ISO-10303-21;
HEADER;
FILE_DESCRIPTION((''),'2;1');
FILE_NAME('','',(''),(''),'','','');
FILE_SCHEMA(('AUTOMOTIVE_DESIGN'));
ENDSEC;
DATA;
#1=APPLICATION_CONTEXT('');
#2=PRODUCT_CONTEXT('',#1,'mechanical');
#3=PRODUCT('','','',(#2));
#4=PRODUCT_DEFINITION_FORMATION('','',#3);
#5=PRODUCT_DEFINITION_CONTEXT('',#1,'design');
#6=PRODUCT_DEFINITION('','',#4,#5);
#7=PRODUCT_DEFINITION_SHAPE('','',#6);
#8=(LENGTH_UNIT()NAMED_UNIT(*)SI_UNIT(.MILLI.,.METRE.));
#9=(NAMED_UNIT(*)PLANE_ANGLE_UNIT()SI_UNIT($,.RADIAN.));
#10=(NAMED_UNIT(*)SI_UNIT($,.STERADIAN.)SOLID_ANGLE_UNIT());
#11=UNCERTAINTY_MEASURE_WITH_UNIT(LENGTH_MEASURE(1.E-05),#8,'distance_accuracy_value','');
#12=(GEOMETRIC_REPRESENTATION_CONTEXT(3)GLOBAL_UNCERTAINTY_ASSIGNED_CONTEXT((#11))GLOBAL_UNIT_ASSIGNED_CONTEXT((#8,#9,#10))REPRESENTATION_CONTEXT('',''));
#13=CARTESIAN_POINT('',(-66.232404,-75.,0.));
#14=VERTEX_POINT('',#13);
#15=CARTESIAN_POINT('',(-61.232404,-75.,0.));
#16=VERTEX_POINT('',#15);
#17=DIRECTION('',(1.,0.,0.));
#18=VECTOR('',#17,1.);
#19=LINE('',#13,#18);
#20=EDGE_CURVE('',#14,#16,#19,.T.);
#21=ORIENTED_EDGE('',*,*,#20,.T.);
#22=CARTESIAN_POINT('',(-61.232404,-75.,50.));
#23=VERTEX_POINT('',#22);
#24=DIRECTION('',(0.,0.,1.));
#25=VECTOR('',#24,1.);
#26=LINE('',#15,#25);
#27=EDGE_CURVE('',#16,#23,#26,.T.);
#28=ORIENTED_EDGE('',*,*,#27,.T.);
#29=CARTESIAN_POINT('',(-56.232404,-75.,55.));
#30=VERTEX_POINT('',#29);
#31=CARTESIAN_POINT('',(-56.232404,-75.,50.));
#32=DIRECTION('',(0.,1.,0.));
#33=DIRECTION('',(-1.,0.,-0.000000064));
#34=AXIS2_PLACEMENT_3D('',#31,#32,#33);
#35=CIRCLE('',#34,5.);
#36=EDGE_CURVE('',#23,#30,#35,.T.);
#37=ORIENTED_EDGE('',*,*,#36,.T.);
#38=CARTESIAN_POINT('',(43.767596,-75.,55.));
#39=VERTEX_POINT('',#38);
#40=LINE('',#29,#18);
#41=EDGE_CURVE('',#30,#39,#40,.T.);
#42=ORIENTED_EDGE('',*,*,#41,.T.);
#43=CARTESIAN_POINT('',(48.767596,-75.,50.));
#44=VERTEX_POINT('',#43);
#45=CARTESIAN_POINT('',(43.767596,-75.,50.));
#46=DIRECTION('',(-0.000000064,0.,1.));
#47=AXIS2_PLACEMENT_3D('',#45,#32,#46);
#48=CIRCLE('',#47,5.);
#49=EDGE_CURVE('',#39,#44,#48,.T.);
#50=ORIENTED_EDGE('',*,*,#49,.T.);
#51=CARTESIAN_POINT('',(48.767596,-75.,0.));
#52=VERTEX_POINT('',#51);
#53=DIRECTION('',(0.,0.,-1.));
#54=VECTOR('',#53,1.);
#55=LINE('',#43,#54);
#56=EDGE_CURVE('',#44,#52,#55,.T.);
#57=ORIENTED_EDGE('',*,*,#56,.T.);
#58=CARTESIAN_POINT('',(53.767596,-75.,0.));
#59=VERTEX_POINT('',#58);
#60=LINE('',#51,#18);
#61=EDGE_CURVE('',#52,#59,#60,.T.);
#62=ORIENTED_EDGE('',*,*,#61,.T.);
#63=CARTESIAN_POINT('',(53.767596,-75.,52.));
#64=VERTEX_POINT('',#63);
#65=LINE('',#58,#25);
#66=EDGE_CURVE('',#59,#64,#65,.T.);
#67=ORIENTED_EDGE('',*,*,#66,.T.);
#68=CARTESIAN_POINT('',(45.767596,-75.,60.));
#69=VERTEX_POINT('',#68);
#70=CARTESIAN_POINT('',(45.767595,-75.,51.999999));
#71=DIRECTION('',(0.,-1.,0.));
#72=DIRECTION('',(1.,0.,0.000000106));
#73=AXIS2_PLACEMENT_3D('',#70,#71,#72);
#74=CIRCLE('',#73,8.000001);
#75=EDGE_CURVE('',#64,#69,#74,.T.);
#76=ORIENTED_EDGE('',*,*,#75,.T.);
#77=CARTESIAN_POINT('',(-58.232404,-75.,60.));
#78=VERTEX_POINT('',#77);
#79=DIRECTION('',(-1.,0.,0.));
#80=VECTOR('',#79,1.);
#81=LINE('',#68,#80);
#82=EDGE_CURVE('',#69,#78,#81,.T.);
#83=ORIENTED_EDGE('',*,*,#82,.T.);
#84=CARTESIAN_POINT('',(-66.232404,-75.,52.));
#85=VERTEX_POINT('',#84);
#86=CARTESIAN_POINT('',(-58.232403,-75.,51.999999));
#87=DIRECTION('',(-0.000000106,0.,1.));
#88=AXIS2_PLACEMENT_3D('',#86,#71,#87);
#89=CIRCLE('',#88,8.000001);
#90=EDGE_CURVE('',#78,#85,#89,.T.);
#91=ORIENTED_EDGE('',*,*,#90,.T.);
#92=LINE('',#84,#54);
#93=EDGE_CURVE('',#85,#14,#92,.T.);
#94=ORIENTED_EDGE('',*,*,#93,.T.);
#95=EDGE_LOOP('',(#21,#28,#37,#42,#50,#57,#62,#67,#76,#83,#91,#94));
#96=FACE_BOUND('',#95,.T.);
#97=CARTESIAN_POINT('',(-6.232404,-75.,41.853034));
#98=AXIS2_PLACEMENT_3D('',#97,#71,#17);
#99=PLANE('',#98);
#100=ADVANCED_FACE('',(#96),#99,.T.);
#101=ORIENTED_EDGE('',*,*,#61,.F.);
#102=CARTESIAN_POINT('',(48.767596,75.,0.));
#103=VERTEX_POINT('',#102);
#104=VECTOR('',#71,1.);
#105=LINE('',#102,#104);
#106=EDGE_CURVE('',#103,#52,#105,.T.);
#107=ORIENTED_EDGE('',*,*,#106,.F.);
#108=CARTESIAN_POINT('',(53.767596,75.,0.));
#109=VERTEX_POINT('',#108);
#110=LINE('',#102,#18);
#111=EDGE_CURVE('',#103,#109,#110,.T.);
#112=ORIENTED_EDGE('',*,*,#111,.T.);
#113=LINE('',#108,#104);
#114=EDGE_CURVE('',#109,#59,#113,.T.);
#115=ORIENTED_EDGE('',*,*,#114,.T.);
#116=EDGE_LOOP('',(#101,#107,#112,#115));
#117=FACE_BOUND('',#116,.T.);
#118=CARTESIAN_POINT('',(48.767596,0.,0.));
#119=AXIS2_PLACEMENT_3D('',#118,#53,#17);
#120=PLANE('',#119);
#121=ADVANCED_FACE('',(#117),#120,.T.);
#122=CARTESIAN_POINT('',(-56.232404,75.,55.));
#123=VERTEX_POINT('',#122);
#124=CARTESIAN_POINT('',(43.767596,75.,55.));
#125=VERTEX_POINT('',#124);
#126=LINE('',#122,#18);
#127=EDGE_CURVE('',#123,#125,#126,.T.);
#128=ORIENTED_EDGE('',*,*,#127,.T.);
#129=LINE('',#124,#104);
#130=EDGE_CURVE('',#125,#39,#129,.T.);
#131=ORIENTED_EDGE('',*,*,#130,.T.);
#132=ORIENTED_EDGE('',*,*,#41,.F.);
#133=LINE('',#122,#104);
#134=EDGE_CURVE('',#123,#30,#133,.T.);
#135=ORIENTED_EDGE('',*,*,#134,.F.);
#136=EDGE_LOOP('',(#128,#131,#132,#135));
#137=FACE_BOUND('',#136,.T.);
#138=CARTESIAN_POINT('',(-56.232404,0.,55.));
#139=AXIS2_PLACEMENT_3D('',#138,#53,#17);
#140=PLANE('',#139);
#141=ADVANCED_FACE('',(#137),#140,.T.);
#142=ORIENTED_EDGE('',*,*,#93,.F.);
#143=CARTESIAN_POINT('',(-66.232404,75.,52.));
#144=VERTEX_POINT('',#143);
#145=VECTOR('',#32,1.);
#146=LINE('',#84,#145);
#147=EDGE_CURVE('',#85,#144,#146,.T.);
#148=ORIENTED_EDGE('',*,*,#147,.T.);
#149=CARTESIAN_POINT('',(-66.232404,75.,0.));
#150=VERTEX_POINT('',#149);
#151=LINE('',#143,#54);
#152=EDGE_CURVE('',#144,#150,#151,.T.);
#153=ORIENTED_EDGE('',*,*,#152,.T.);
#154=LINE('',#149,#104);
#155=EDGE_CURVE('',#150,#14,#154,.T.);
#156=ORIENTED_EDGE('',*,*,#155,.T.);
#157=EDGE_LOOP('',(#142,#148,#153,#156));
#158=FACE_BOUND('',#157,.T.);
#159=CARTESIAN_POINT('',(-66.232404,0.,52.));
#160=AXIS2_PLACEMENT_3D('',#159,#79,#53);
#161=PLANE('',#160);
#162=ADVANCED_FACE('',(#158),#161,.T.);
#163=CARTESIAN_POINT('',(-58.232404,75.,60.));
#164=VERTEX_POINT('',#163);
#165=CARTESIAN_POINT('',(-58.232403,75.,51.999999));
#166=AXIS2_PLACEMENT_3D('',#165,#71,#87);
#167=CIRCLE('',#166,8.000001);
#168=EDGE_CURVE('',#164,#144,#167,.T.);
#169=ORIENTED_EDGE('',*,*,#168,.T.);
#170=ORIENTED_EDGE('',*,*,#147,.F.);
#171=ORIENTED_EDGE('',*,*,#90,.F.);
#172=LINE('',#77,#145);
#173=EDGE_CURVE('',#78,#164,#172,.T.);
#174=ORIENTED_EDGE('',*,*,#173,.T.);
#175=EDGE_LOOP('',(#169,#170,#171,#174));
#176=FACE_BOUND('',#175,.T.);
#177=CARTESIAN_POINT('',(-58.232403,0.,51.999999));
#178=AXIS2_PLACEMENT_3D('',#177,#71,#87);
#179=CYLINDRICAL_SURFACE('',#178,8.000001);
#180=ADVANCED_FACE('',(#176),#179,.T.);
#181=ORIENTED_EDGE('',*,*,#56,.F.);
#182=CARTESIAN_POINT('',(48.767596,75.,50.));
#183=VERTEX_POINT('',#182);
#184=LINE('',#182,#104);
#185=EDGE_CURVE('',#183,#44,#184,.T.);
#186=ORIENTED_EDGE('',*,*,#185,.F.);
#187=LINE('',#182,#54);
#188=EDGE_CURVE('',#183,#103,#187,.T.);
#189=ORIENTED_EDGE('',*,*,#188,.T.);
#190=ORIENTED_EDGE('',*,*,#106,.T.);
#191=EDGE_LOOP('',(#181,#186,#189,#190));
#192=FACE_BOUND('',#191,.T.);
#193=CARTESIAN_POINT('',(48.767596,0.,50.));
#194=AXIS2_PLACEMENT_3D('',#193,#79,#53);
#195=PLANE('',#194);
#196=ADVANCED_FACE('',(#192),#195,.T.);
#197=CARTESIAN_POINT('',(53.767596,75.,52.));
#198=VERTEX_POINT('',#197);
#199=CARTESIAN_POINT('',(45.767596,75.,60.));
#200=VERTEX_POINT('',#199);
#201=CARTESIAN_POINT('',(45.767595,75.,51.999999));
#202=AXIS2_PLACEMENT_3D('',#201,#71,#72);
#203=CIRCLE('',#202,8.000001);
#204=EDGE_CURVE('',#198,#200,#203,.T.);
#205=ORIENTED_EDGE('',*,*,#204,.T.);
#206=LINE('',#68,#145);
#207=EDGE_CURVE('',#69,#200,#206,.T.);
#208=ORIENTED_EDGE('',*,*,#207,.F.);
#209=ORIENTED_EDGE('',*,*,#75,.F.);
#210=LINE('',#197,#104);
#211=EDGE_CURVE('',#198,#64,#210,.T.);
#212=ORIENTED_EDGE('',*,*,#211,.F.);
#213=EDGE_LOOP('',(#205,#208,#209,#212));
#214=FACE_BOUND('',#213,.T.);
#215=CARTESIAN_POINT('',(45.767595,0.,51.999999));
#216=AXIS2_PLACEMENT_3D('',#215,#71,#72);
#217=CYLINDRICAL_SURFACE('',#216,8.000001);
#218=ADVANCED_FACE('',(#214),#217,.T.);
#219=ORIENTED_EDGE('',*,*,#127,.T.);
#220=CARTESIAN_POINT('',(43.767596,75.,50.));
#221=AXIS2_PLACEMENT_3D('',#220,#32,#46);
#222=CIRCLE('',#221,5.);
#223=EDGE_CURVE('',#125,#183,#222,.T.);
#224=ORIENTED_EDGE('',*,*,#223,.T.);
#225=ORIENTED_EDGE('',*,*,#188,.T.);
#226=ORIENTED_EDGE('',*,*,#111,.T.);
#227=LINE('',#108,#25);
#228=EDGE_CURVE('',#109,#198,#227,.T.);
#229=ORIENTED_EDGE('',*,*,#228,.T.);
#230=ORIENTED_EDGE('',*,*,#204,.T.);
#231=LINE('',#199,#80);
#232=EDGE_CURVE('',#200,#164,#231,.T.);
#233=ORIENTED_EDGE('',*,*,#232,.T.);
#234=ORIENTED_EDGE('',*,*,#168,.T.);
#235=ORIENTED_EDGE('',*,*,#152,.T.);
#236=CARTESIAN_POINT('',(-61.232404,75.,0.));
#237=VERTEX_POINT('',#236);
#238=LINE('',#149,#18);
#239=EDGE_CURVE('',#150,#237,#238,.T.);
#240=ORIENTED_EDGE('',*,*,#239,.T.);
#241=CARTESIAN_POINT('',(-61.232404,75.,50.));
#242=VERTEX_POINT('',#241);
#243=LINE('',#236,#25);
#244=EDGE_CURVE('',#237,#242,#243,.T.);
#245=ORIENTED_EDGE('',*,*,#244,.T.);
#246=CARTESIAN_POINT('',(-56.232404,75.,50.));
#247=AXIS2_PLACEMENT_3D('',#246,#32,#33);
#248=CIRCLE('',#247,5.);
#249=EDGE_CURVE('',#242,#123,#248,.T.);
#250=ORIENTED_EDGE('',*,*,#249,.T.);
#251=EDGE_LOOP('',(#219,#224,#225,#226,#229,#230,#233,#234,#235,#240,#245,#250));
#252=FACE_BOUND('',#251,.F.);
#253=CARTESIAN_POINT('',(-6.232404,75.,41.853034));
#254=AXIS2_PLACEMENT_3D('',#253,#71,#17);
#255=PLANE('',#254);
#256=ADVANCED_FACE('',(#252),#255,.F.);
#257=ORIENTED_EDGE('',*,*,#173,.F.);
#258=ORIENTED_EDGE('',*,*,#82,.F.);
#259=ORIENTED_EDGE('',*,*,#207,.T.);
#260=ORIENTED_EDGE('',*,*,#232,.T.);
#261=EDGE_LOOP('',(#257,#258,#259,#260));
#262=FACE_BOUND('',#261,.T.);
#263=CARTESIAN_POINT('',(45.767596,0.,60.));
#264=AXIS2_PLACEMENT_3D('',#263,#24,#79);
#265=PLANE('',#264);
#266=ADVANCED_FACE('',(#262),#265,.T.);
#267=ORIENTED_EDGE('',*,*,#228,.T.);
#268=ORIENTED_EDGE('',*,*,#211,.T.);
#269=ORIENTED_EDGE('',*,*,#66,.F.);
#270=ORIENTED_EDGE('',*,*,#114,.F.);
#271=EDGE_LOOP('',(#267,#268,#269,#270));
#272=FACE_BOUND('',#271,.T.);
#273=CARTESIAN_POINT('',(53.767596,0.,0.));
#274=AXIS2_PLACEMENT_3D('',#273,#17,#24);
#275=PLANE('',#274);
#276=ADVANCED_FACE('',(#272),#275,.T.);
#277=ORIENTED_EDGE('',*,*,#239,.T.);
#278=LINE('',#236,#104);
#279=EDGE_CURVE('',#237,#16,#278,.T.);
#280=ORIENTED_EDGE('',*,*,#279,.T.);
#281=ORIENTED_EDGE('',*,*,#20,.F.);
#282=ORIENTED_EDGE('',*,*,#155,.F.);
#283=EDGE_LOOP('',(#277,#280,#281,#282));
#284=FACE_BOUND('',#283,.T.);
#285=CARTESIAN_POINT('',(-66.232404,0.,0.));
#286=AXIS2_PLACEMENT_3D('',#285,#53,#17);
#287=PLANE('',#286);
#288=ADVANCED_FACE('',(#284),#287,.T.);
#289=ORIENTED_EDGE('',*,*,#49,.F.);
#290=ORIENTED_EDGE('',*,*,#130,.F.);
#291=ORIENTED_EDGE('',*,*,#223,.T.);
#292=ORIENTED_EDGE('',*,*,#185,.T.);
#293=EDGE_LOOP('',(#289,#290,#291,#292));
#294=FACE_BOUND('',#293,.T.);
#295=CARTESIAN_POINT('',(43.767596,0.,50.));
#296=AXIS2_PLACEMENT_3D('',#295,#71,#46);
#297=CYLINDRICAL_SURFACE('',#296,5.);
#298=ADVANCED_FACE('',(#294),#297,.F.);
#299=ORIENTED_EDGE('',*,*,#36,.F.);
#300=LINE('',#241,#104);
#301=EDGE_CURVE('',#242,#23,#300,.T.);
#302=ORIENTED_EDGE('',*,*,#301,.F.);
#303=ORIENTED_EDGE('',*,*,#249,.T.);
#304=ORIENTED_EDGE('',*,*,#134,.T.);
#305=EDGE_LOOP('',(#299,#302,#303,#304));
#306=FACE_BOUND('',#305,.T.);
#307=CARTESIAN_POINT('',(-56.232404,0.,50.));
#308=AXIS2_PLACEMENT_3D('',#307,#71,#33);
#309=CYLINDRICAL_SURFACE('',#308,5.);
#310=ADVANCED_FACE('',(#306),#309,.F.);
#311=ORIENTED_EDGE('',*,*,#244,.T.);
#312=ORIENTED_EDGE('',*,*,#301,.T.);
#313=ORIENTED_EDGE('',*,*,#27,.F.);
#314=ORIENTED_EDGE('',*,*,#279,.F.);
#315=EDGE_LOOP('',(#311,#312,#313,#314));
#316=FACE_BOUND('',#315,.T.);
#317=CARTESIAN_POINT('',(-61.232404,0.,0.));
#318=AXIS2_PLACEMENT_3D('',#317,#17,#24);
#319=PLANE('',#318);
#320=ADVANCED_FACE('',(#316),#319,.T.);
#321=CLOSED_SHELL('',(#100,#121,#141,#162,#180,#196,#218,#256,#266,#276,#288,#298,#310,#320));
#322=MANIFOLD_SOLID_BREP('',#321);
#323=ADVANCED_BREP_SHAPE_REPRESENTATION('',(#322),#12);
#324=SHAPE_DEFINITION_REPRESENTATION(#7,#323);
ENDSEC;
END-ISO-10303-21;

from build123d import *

# Parameters (mm, degrees)
F1_DEPTH = 75


with BuildPart() as f1:
    # F0 (on Front) → F1 (new body, symmetric)
    with BuildSketch(Plane.XZ):
        with BuildLine():
            Line((-66.232404, 52), (-66.232404, 0))
            Line((-66.232404, 0), (-61.232404, 0))
            Line((-61.232404, 0), (-61.232404, 50))
            ThreePointArc((-61.232404, 50), (-59.767938, 53.535534), (-56.232404, 55))
            Line((-56.232404, 55), (43.767596, 55))
            ThreePointArc((43.767596, 55), (47.30313, 53.535534), (48.767596, 50))
            Line((48.767596, 50), (48.767596, 0))
            Line((48.767596, 0), (53.767596, 0))
            Line((53.767596, 0), (53.767596, 52))
            ThreePointArc((53.767596, 52), (51.42445, 57.656854), (45.767596, 60))
            Line((45.767596, 60), (-58.232404, 60))
            ThreePointArc((-58.232404, 60), (-63.889258, 57.656854), (-66.232404, 52))
        make_face()
    extrude(amount=F1_DEPTH, both=True)


solid = f1.part
